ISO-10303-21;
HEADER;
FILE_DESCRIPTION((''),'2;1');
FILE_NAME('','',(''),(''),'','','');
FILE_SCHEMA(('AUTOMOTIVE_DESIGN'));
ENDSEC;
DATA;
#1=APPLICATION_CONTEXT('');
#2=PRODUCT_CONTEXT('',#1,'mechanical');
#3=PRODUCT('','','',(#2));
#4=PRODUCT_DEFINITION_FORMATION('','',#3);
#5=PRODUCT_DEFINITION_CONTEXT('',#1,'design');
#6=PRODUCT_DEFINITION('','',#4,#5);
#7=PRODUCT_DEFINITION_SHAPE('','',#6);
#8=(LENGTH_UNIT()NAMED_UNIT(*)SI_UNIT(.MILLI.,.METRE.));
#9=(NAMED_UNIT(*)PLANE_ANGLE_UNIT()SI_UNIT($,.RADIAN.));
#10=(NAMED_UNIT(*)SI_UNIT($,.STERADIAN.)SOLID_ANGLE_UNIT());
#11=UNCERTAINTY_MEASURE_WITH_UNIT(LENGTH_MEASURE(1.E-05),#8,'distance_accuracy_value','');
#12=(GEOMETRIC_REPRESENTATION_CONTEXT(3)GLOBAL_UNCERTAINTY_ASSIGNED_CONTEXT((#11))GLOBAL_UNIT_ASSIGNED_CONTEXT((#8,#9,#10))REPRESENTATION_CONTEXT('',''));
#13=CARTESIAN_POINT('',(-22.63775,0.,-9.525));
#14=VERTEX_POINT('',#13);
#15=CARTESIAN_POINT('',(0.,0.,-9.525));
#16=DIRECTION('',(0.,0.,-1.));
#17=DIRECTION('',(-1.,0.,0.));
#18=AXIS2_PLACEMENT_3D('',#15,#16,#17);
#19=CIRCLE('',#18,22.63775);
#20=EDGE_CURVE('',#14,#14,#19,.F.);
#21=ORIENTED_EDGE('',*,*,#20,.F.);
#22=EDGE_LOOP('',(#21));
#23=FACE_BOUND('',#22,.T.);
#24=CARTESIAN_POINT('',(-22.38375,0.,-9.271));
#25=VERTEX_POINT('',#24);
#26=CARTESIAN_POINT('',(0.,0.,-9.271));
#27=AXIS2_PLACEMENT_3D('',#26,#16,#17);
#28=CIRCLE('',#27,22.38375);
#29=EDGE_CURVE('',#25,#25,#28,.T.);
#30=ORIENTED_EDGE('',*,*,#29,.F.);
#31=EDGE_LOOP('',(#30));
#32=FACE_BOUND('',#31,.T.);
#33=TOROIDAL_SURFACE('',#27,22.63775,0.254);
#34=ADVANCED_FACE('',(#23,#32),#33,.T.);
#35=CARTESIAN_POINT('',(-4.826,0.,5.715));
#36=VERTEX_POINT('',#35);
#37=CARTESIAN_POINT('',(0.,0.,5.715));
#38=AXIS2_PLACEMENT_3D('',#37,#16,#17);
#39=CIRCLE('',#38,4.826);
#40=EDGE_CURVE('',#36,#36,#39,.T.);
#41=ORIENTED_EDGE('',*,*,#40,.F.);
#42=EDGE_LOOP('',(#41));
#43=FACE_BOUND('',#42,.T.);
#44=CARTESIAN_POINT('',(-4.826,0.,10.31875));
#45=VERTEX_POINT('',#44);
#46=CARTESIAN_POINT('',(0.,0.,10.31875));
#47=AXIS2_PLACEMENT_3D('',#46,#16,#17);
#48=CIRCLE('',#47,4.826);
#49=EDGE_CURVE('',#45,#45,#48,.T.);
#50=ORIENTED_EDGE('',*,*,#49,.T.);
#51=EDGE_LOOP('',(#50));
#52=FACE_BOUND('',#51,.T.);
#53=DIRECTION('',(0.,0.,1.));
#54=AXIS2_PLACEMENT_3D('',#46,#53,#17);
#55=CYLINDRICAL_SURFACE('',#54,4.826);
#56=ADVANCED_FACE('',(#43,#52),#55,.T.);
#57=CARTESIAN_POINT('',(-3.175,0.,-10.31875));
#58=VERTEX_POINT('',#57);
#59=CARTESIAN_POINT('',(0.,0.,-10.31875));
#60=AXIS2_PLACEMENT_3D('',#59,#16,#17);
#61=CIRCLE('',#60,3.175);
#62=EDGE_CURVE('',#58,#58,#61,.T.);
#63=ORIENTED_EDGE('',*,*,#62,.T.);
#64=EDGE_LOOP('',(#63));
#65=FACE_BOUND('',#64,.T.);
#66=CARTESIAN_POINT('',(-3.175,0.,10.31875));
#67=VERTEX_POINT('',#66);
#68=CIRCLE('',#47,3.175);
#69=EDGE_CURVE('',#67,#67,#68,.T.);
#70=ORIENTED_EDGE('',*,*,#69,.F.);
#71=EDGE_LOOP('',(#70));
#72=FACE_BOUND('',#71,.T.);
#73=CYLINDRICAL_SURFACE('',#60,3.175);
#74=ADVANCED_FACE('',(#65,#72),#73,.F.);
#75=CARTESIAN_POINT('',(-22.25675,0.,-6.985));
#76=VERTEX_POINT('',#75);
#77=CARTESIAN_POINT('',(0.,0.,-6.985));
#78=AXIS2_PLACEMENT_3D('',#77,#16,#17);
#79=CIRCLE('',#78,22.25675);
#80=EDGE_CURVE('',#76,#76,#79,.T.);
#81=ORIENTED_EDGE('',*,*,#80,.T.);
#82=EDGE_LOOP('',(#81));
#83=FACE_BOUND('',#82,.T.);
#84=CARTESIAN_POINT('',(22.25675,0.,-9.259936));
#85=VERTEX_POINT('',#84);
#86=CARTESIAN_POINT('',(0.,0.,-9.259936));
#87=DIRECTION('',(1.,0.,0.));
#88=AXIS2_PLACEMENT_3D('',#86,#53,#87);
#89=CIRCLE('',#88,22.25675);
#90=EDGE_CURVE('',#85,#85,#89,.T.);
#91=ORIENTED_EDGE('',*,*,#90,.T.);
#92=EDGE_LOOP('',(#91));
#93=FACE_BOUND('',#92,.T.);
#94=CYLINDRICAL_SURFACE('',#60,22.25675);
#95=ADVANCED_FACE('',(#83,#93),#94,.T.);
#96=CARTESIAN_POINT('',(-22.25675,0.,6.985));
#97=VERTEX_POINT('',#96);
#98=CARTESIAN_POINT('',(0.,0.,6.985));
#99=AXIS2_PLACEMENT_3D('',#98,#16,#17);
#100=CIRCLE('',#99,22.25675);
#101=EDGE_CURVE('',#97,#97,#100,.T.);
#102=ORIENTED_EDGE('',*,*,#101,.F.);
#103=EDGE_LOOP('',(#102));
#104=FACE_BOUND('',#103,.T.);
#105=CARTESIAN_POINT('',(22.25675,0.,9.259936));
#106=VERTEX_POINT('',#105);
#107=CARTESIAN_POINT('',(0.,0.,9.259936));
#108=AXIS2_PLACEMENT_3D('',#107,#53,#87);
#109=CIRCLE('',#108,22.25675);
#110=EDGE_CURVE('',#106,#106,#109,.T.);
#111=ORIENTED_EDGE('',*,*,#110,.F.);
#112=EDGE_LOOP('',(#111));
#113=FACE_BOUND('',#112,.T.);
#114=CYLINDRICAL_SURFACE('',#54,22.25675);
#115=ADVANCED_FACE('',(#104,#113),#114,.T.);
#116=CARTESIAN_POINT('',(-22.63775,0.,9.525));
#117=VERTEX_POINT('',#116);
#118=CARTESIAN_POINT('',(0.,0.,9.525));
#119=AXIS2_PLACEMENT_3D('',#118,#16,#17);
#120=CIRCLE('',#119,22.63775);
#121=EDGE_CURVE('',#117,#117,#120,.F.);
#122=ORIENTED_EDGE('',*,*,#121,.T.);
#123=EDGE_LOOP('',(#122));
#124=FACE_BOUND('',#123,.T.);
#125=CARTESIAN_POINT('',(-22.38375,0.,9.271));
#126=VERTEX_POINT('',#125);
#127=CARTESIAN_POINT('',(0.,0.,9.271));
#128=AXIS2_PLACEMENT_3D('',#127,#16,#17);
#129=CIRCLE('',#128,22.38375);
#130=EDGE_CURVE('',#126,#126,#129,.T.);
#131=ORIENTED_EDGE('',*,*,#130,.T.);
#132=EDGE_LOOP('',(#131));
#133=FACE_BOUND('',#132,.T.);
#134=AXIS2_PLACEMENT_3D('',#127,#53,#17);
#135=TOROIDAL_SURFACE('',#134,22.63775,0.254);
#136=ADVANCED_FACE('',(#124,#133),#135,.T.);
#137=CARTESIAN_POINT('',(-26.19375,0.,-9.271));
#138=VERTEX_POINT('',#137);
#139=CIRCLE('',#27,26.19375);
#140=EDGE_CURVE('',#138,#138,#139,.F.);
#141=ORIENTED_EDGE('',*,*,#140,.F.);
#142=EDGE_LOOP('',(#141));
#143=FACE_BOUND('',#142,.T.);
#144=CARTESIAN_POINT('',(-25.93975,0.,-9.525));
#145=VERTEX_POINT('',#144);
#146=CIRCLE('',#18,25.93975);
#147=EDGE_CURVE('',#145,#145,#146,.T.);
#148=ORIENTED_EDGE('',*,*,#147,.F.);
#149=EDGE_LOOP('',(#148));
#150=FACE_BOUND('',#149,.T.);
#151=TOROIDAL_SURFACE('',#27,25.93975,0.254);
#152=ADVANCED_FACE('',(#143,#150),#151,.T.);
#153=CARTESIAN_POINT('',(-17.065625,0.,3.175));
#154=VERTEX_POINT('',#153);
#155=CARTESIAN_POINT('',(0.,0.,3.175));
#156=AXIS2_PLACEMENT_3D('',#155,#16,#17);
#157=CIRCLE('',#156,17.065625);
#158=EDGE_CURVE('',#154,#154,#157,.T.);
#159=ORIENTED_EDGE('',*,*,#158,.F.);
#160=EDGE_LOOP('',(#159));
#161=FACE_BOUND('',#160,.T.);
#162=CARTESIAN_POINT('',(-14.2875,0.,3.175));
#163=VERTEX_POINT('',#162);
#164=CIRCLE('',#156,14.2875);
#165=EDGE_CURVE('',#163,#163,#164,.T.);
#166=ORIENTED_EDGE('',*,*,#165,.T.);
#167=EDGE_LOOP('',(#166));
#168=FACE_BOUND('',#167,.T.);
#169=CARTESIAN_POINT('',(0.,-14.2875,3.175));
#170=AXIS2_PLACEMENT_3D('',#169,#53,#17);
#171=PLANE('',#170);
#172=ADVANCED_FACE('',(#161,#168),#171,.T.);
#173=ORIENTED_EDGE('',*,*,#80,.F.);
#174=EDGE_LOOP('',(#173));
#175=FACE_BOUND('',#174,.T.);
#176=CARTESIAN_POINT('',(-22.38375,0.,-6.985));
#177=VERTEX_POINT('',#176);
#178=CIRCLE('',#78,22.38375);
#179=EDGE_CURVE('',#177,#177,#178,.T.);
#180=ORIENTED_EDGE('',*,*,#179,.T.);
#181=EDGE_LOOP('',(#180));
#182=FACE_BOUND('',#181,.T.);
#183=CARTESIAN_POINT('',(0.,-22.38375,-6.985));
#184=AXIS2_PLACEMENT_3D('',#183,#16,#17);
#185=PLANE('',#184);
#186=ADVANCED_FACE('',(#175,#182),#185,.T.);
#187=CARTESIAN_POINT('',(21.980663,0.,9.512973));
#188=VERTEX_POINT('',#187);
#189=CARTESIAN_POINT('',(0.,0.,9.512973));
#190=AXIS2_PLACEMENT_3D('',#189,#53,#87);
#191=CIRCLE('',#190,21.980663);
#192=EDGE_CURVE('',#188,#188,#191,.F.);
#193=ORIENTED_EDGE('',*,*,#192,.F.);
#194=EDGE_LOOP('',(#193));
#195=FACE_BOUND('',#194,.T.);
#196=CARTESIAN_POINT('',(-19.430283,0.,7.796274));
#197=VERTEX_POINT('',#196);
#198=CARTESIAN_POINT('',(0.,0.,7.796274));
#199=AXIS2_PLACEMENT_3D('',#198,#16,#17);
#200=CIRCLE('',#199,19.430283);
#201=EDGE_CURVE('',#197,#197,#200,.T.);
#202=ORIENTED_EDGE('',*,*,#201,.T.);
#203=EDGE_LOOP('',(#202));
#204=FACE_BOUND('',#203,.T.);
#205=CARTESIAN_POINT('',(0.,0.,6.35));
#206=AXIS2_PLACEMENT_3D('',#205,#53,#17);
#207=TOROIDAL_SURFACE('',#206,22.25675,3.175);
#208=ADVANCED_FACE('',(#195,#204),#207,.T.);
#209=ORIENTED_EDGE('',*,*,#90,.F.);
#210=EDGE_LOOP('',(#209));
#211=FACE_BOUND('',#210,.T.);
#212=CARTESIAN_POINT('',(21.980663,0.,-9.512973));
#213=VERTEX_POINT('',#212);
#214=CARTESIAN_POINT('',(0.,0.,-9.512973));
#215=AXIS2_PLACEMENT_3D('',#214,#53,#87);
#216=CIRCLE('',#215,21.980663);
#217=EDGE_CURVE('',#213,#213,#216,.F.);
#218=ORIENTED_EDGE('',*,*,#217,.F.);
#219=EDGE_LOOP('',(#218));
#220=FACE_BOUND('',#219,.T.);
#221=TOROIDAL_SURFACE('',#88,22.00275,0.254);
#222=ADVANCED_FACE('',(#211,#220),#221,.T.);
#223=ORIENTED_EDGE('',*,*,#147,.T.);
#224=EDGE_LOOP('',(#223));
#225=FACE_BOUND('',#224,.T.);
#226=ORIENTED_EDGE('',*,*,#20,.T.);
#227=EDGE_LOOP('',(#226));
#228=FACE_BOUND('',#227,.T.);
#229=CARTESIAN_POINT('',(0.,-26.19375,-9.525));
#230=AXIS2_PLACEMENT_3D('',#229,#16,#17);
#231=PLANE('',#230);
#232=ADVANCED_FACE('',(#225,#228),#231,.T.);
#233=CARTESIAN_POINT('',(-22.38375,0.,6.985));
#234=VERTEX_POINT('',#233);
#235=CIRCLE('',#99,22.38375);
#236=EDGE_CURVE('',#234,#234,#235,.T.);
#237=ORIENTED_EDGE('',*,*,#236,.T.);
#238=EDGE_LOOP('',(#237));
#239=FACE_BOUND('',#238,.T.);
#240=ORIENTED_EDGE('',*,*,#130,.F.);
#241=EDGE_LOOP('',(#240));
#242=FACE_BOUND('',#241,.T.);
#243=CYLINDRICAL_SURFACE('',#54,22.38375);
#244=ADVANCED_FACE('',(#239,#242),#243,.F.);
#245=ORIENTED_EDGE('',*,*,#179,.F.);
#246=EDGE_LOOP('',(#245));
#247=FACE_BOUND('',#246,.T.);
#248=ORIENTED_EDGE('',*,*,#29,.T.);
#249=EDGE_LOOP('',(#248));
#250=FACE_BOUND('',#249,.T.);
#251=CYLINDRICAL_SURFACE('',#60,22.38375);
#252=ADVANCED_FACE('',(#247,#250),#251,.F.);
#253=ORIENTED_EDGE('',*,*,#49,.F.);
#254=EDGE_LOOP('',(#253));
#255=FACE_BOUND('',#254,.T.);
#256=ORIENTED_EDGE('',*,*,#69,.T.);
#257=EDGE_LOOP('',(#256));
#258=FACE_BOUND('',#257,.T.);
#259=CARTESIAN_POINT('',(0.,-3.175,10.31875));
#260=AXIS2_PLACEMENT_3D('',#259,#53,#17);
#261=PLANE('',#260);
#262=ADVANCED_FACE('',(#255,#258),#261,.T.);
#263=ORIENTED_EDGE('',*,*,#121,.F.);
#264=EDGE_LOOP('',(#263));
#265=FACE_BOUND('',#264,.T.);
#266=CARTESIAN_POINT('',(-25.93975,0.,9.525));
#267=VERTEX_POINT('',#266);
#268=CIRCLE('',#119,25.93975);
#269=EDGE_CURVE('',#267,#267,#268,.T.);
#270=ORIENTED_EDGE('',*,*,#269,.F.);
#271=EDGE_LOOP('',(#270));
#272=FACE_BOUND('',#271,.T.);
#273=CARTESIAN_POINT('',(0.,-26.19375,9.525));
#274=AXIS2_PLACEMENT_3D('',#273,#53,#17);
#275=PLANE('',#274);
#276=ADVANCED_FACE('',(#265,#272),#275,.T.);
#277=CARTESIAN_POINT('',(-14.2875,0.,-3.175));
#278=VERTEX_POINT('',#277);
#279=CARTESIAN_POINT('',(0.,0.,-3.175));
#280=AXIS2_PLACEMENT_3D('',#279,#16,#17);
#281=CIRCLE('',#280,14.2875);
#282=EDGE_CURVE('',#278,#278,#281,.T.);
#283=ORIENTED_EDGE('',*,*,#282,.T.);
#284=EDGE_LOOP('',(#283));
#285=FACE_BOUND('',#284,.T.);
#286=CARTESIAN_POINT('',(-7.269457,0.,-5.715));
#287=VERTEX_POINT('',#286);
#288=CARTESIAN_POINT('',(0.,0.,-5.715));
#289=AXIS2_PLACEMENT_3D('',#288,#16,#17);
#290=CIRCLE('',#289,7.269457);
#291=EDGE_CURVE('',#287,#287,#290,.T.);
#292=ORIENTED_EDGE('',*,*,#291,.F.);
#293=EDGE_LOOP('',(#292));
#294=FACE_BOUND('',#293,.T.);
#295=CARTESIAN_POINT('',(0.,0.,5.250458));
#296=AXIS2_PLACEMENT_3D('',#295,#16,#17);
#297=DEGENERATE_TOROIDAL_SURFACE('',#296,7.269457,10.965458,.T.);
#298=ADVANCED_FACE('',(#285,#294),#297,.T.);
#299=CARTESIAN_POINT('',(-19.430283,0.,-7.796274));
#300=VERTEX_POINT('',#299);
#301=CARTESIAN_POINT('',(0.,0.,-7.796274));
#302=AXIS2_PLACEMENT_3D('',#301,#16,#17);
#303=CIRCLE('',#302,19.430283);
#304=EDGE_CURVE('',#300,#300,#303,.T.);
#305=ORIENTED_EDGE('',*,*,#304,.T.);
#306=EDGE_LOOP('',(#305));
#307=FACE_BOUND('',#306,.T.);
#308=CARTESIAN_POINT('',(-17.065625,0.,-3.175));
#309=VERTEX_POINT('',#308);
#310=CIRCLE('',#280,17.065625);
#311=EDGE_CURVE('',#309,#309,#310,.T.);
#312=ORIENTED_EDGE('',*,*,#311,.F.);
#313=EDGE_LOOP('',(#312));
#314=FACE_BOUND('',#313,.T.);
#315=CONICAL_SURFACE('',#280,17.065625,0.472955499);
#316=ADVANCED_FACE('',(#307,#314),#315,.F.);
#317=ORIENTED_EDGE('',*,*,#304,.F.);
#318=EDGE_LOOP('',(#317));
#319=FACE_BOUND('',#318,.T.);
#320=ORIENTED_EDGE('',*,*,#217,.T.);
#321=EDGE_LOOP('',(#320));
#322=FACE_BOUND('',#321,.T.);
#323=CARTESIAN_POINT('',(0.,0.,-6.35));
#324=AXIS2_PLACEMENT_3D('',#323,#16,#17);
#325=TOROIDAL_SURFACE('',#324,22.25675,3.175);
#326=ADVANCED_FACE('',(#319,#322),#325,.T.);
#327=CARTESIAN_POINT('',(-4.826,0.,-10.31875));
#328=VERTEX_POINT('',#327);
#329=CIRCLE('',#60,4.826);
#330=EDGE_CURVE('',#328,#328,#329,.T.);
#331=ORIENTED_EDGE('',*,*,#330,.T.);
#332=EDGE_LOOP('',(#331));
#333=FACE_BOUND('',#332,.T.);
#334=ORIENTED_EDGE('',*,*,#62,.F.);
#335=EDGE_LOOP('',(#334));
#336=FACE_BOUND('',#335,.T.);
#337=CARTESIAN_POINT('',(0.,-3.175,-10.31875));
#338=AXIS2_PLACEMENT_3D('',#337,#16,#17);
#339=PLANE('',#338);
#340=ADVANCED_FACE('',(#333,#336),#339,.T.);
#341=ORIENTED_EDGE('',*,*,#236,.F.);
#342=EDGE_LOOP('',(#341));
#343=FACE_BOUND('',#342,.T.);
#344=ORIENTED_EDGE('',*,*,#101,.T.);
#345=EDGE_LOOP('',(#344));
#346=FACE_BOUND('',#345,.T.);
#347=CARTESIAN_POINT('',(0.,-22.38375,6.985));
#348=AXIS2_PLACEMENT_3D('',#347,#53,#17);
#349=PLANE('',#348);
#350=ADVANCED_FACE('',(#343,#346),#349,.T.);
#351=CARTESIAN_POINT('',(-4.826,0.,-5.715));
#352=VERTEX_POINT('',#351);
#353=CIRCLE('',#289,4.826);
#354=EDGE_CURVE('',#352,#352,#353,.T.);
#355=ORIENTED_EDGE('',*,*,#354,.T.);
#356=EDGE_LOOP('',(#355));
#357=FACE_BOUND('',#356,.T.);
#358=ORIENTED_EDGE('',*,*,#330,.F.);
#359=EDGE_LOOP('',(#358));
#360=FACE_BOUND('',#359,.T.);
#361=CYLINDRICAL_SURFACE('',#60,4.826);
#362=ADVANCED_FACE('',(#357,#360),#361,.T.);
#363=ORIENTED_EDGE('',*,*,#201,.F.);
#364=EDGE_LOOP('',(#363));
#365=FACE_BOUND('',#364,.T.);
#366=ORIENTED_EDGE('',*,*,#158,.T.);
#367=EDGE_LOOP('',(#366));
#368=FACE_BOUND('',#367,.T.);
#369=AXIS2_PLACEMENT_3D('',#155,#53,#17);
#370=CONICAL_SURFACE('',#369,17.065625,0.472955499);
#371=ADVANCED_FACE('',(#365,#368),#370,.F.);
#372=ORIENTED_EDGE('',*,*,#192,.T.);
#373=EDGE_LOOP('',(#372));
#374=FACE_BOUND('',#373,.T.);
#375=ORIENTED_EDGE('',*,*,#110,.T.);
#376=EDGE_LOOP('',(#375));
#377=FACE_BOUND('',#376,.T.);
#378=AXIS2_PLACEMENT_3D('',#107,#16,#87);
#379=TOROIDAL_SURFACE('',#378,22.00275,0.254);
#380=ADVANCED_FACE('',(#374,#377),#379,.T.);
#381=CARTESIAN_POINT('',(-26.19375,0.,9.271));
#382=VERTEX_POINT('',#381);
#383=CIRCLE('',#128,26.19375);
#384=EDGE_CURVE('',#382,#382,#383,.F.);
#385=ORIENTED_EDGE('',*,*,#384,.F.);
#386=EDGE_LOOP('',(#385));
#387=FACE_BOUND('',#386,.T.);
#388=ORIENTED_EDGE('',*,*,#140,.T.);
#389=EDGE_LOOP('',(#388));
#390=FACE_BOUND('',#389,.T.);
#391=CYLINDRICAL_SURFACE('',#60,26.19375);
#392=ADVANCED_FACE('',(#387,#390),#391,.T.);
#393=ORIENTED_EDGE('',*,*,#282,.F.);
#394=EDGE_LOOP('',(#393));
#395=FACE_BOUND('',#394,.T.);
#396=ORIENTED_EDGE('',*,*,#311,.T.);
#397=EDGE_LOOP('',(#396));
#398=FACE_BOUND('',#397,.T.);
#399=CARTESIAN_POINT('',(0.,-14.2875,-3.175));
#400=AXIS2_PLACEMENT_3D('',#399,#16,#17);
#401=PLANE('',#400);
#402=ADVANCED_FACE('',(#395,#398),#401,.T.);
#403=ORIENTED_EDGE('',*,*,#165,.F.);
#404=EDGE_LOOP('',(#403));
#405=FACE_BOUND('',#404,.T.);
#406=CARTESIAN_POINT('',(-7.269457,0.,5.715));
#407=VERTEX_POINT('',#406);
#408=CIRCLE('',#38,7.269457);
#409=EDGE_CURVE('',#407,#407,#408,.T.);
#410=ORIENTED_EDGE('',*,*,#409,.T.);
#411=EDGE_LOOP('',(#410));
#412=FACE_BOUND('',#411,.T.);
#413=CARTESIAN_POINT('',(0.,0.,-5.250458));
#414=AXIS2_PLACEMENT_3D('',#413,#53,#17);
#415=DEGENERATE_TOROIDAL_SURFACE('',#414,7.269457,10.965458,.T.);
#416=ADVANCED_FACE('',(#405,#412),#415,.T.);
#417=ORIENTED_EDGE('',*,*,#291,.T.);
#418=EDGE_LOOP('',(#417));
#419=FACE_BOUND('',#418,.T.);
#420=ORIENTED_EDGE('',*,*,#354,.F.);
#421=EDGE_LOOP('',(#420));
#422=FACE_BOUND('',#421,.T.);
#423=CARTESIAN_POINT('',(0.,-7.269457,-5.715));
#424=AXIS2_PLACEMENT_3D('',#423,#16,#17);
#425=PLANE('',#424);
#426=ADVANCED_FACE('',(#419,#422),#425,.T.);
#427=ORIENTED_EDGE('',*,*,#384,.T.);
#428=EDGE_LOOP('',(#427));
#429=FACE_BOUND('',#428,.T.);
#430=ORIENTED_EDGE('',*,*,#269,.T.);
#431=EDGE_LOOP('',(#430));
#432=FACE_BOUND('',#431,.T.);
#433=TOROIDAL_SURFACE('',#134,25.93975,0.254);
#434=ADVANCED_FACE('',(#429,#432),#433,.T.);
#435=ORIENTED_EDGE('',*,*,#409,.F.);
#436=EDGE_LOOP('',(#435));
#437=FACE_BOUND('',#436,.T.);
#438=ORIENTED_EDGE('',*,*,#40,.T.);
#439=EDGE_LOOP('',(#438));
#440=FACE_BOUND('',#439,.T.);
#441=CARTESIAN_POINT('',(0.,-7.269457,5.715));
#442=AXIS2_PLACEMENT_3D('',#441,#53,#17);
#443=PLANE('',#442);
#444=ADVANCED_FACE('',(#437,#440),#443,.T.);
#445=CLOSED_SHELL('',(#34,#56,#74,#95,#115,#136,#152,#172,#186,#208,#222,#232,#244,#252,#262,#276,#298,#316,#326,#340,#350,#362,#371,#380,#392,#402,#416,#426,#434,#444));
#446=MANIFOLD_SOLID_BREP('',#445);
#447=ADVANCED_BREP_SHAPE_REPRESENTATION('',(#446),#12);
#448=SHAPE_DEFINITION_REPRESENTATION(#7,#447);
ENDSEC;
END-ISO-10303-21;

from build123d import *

# Parameters (mm, degrees)
FILLET1_R = 0.254


with BuildPart() as part:
    # Sketch1 → Revolve1 (revolve)
    with BuildSketch(Plane(origin=(0, 0, 0), x_dir=(0, 0, -1), z_dir=(1, 0, 0)), mode=Mode.PRIVATE) as revolve1_sk:
        with BuildLine():
            Line((0, 26.19375), (9.525, 26.19375))
            Line((9.525, 26.19375), (9.525, 22.38375))
            Line((9.525, 22.38375), (6.985, 22.38375))
            Line((6.985, 22.38375), (6.985, 22.25675))
            Line((6.985, 22.25675), (9.525, 22.25675))
            ThreePointArc((9.525, 22.25675), (9.058555387, 20.600141201), (7.796273881, 19.430282795))
            Line((7.796273881, 19.430282795), (3.175, 17.065625))
            Line((3.175, 17.065625), (3.175, 14.2875))
            ThreePointArc((3.175, 14.2875), (5.060465212, 11.001230365), (5.715, 7.269457141))
            Line((5.715, 7.269457141), (5.715, 4.826))
            Line((5.715, 4.826), (10.31875, 4.826))
            Line((10.31875, 4.826), (10.31875, 3.175))
            Line((10.31875, 3.175), (0, 3.175))
            Line((0, 3.175), (0, 26.19375))
        make_face()
    revolve(revolve1_sk.sketch.rotate(Axis((0, 0, -10.31875), (0, 0, 1)), 90), axis=Axis((0, 0, -10.31875), (0, 0, 1)))

    # Fillet1
    fillet1_edges = [part.edges().sort_by_distance(p)[0] for p in [
        (22.25675, 0, -9.525),
        (22.38375, 0, -9.525),
        (26.19375, 0, -9.525),
    ]]
    fillet(fillet1_edges, radius=FILLET1_R)

    # Mirror1: part across plane


with BuildPart() as part_1:
    add(part.part)
    add(part.part.mirror(Plane.XY))


solid = part_1.part
